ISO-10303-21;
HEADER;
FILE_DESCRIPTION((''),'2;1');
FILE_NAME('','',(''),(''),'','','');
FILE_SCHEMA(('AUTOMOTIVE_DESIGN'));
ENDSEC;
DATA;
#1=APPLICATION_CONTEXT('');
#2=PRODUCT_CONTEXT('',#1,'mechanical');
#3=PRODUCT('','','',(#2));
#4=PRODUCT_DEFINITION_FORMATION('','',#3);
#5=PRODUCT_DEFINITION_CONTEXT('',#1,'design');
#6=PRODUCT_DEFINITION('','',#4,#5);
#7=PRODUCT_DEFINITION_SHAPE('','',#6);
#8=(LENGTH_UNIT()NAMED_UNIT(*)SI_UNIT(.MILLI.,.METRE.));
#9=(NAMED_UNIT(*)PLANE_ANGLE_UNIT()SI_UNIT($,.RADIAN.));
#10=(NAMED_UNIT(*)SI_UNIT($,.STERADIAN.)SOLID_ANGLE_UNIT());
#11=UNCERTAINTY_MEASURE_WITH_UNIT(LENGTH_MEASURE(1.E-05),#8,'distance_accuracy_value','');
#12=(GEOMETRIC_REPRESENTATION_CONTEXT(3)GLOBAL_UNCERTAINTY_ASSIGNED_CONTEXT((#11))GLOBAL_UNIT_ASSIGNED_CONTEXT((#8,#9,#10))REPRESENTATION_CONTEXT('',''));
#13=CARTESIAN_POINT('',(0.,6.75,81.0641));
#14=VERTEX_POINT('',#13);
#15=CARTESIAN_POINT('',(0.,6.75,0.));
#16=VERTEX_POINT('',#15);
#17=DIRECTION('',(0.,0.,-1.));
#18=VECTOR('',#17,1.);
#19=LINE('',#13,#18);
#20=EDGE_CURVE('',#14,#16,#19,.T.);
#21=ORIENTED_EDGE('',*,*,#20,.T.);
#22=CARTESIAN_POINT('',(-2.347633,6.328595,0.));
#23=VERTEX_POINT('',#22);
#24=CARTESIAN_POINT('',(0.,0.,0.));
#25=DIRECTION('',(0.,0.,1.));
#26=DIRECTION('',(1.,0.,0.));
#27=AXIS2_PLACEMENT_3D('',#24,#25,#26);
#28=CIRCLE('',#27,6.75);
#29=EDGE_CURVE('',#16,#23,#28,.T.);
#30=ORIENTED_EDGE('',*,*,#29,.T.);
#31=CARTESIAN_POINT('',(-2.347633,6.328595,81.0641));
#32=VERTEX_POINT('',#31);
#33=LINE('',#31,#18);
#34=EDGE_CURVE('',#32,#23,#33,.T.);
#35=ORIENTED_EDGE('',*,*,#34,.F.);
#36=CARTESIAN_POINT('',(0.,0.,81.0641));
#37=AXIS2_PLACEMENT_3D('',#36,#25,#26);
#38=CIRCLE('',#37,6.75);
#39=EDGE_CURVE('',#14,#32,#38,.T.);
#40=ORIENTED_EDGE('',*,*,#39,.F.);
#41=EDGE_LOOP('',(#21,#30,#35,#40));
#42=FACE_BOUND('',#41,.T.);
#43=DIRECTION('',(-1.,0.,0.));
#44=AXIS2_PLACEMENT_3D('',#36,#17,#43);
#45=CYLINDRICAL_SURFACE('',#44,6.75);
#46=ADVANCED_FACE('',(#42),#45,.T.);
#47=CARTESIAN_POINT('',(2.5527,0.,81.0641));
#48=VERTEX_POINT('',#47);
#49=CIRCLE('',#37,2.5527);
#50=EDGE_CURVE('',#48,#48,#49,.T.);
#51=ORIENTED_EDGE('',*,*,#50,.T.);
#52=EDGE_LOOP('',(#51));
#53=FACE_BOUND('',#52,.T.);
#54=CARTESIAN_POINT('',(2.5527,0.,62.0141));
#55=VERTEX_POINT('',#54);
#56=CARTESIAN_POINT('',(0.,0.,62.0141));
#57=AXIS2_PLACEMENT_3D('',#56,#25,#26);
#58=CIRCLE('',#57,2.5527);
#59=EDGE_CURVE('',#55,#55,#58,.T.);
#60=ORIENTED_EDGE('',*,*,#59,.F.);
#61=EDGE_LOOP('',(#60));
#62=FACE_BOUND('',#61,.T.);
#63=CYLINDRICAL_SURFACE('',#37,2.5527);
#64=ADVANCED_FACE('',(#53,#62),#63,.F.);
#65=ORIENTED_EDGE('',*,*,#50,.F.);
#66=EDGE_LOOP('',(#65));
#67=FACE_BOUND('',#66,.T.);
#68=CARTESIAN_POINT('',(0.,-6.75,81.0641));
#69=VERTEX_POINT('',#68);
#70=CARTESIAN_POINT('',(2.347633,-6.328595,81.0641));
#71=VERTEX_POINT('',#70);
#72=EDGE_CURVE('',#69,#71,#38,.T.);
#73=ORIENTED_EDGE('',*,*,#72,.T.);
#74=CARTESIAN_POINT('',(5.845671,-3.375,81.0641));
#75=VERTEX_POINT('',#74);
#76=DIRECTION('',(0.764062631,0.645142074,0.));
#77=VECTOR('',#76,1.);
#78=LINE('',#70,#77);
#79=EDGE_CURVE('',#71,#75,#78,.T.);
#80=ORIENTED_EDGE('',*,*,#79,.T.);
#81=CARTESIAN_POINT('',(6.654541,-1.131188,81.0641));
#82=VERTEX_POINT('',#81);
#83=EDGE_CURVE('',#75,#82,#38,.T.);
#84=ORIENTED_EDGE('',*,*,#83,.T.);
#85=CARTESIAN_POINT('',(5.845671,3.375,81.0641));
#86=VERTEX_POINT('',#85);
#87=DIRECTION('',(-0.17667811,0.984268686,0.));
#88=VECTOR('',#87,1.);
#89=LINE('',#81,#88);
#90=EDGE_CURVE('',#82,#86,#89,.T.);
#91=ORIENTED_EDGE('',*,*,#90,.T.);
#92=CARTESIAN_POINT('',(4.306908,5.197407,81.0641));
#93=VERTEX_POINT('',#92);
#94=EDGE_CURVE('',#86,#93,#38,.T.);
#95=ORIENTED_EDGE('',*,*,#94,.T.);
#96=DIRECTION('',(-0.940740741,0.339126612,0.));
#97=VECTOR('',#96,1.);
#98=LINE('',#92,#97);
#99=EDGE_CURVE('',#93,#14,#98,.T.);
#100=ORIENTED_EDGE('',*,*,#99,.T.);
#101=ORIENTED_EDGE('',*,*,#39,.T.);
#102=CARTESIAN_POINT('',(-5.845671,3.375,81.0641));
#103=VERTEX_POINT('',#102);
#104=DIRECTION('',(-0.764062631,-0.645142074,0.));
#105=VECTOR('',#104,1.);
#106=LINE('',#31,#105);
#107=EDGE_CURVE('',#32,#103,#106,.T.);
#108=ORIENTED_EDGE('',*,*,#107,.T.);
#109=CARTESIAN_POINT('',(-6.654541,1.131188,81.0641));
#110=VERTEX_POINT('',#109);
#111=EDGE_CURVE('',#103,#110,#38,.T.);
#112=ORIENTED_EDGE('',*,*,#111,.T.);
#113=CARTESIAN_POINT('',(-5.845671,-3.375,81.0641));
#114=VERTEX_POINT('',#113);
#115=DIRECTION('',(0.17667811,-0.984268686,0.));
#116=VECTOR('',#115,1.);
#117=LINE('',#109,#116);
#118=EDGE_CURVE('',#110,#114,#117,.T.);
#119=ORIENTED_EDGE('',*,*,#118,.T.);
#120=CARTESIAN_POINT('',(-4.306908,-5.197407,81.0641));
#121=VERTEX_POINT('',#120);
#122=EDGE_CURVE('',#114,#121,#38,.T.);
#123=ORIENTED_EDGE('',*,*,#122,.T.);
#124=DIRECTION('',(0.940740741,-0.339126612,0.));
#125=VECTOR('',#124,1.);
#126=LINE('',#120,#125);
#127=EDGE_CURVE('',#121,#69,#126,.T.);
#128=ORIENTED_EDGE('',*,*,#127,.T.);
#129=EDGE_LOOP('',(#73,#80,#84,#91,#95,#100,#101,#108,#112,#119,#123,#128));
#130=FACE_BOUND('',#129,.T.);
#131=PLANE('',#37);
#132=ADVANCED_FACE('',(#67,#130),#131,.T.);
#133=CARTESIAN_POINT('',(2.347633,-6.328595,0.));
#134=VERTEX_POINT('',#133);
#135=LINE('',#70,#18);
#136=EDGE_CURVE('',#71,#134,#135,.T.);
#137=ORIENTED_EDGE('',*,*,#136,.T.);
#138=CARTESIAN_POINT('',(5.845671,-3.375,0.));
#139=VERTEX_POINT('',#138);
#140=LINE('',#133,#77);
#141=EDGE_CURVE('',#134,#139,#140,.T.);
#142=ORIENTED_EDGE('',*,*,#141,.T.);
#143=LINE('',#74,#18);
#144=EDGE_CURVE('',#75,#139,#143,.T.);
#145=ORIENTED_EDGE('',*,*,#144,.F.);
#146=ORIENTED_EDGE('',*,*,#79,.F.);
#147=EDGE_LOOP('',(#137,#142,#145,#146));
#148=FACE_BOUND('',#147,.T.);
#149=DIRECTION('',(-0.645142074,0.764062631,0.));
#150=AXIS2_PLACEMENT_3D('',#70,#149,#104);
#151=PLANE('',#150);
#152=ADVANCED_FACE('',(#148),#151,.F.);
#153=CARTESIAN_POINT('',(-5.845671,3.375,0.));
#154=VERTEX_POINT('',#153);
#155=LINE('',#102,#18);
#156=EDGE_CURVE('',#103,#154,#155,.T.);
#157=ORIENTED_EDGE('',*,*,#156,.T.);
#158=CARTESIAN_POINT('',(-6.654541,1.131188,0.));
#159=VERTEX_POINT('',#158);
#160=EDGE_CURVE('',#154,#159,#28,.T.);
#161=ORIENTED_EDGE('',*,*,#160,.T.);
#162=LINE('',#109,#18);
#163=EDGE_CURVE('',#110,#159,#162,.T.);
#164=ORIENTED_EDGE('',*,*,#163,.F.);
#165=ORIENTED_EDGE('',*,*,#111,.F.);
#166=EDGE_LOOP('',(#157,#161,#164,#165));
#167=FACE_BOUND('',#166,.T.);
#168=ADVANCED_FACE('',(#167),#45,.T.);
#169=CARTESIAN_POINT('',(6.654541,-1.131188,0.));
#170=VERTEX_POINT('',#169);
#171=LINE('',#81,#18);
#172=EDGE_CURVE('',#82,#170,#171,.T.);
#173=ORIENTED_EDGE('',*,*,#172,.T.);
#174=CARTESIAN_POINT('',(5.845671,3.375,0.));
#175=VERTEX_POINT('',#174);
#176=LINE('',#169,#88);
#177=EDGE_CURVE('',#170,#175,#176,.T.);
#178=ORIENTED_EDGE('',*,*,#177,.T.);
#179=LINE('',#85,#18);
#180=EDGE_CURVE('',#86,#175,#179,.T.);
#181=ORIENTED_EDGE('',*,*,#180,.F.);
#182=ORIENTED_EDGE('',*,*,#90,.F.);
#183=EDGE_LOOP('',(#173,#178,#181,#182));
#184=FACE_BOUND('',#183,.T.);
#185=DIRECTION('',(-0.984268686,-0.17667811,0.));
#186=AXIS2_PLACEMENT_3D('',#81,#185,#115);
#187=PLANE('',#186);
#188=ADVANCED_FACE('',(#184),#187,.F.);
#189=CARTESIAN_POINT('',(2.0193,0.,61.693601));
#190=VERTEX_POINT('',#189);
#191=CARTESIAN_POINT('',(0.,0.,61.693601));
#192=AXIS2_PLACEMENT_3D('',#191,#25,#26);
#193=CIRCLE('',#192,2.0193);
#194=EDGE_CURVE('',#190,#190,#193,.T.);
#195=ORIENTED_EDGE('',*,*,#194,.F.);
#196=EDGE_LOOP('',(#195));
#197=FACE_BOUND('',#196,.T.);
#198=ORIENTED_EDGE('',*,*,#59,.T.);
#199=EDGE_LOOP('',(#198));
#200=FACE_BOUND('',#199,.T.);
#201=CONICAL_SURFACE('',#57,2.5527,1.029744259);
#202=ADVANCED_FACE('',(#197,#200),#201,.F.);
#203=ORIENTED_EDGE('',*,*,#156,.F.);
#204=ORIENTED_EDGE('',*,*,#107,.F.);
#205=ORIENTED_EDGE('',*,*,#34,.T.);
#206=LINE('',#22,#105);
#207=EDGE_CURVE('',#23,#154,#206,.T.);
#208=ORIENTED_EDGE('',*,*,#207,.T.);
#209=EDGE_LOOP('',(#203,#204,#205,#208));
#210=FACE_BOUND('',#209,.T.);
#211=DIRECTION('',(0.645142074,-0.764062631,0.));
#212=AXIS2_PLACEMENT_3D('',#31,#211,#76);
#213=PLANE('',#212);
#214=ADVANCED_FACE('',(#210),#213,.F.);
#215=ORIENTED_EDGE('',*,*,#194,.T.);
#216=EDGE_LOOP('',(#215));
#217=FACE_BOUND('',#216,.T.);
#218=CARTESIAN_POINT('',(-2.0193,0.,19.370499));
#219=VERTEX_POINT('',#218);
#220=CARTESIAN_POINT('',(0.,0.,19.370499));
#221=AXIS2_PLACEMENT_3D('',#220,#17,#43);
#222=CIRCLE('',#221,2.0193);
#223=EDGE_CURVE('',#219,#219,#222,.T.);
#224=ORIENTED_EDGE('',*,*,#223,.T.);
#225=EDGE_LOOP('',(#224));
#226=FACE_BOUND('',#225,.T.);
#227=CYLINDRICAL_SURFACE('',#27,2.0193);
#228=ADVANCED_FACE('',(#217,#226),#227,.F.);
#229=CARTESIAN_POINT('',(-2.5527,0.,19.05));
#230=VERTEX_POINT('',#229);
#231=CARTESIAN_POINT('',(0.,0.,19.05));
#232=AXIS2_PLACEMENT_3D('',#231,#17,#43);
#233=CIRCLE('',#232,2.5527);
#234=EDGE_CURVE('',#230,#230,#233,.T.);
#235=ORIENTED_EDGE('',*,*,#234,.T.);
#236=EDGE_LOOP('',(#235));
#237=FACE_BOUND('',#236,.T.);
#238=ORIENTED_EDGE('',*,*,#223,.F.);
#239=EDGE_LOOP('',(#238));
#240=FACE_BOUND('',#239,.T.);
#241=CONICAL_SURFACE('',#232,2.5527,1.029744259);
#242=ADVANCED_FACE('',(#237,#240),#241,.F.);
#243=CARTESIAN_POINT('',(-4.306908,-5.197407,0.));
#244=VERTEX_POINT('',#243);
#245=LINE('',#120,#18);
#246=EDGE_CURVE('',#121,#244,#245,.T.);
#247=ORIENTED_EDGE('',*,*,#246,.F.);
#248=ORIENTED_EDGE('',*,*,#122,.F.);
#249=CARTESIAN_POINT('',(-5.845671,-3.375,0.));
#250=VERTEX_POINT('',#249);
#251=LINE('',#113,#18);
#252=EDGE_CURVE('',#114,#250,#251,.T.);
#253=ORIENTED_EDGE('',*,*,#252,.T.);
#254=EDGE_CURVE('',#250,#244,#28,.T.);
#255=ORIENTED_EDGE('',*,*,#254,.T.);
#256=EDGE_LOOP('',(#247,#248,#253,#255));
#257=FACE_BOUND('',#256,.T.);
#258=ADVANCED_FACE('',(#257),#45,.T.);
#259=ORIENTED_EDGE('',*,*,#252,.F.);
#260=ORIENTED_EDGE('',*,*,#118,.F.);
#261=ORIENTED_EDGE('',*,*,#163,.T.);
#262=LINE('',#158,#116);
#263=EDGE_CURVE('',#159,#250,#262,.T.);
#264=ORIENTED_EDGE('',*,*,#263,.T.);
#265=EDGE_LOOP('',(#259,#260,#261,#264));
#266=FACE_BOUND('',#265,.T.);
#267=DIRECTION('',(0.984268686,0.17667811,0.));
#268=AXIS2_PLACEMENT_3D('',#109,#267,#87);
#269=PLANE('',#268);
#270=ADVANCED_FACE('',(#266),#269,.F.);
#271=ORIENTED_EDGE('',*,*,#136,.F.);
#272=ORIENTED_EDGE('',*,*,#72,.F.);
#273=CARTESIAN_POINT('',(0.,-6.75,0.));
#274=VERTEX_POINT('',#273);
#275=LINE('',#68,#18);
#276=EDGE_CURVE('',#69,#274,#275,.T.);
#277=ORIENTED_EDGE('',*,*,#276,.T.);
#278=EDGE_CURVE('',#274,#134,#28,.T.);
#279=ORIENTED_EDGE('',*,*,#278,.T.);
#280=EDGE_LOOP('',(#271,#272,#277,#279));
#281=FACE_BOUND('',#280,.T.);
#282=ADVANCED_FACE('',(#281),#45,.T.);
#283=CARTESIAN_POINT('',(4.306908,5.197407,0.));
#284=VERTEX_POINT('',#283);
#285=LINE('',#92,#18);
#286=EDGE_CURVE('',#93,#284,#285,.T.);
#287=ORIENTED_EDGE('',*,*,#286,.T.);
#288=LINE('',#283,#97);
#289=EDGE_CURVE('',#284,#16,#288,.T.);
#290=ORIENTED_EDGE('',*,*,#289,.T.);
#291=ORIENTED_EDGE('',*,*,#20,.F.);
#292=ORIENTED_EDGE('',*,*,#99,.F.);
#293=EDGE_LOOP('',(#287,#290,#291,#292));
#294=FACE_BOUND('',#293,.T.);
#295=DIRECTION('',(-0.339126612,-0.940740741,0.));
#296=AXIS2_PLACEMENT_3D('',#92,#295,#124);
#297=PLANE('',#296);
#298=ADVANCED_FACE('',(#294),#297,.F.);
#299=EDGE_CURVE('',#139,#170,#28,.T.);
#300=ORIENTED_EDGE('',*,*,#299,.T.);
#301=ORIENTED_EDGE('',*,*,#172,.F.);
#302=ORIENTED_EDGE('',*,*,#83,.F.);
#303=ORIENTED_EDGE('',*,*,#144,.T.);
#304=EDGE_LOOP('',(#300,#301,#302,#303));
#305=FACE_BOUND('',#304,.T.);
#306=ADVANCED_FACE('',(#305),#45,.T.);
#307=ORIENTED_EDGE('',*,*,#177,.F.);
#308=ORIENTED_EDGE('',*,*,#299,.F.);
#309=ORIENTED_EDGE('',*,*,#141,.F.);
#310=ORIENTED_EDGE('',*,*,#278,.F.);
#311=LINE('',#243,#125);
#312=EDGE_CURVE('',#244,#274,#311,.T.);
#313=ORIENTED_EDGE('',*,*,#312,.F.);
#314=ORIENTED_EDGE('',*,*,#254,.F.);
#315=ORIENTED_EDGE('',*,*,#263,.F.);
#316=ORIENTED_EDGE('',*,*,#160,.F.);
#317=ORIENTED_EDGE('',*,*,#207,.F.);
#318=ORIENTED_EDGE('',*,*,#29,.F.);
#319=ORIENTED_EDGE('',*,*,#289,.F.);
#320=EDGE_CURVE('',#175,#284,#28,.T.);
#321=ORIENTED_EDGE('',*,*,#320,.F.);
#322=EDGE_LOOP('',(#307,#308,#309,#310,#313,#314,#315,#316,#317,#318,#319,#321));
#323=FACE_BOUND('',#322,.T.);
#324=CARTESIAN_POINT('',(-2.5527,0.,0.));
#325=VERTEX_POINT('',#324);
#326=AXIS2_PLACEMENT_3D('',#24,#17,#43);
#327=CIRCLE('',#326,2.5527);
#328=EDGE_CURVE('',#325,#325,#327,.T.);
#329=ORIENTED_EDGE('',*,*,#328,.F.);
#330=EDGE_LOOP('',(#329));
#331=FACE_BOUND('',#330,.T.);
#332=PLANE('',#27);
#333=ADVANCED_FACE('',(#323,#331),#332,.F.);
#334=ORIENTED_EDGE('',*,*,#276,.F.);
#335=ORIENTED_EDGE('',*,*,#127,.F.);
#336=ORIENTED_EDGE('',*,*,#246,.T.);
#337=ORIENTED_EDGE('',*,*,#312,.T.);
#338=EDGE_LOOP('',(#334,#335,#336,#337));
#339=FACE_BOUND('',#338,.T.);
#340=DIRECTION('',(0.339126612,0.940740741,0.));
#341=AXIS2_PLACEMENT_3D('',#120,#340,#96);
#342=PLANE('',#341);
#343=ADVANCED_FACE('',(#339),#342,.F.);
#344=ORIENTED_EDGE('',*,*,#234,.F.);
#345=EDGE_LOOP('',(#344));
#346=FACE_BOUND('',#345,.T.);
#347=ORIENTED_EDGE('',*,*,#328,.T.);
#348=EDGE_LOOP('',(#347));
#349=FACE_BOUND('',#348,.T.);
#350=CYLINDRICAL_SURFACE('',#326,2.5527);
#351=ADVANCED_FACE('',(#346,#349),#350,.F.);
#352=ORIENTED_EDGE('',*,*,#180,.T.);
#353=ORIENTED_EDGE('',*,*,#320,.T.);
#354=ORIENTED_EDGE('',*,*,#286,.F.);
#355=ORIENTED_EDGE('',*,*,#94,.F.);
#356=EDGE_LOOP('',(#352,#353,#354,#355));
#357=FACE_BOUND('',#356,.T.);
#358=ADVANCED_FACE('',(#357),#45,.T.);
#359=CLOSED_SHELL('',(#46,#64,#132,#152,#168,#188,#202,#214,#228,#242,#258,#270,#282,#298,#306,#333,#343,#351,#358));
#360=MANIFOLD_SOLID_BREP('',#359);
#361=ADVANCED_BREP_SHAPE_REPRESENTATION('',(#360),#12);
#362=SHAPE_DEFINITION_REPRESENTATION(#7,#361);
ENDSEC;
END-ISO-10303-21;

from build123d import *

# Parameters (mm, degrees)
BOSS_EXTRUDE1_DEPTH         = 81.0641
SKETCH2_R                   = 2.0193
CUT_EXTRUDE1_DEPTH          = 82.616381459
F_1_4_20_TAPPED_HOLE1_D     = 5.1054
F_1_4_20_TAPPED_HOLE1_DEPTH = 19.05
F_1_4_20_TAPPED_HOLE1_TIP   = 1.533816902
F_1_4_20_TAPPED_HOLE2_D     = 5.1054
F_1_4_20_TAPPED_HOLE2_DEPTH = 19.05
F_1_4_20_TAPPED_HOLE2_TIP   = 1.533816902


with BuildPart() as part:
    # Sketch1 → Boss-Extrude1 (new body)
    with BuildSketch(Plane.XY):
        with BuildLine():
            Line((-6.654540832, 1.131188008), (-5.845671476, -3.375))
            ThreePointArc((-5.845671476, -3.375), (-5.15742276, -4.354709), (-4.306907968, -5.197407407))
            Line((-4.306907968, -5.197407407), (0, -6.75))
            ThreePointArc((0, -6.75), (1.19257724, -6.643813628), (2.347632865, -6.328595415))
            Line((2.347632865, -6.328595415), (5.845671476, -3.375))
            ThreePointArc((5.845671476, -3.375), (6.35, -2.289104628), (6.654540832, -1.131188008))
            Line((6.654540832, -1.131188008), (5.845671476, 3.375))
            ThreePointArc((5.845671476, 3.375), (5.15742276, 4.354709), (4.306907968, 5.197407407))
            Line((4.306907968, 5.197407407), (0, 6.75))
            ThreePointArc((0, 6.75), (-1.19257724, 6.643813628), (-2.347632865, 6.328595415))
            Line((-2.347632865, 6.328595415), (-5.845671476, 3.375))
            ThreePointArc((-5.845671476, 3.375), (-6.35, 2.289104628), (-6.654540832, 1.131188008))
        make_face()
    extrude(amount=BOSS_EXTRUDE1_DEPTH)

    # Sketch2 → Cut-Extrude1 (cut, through all)
    with BuildSketch(Plane.XY.offset(81.0641)):
        Circle(SKETCH2_R)
    extrude(amount=-CUT_EXTRUDE1_DEPTH, mode=Mode.SUBTRACT)

    # 1/4-20 Tapped Hole1
    with Locations(Plane.XY.offset(81.0641)):
        with Locations((0, 0)):
            Hole(F_1_4_20_TAPPED_HOLE1_D / 2, depth=F_1_4_20_TAPPED_HOLE1_DEPTH)
            with Locations((0, 0, -(F_1_4_20_TAPPED_HOLE1_DEPTH + F_1_4_20_TAPPED_HOLE1_TIP / 2))):  # 118° drill point
                Cone(0, F_1_4_20_TAPPED_HOLE1_D / 2, F_1_4_20_TAPPED_HOLE1_TIP, mode=Mode.SUBTRACT)

    # 1/4-20 Tapped Hole2
    with Locations(Plane(origin=(0, 0, 0), x_dir=(-1, 0, 0), z_dir=(0, 0, -1))):
        with Locations((0, 0)):
            Hole(F_1_4_20_TAPPED_HOLE2_D / 2, depth=F_1_4_20_TAPPED_HOLE2_DEPTH)
            with Locations((0, 0, -(F_1_4_20_TAPPED_HOLE2_DEPTH + F_1_4_20_TAPPED_HOLE2_TIP / 2))):  # 118° drill point
                Cone(0, F_1_4_20_TAPPED_HOLE2_D / 2, F_1_4_20_TAPPED_HOLE2_TIP, mode=Mode.SUBTRACT)


solid = part.part
